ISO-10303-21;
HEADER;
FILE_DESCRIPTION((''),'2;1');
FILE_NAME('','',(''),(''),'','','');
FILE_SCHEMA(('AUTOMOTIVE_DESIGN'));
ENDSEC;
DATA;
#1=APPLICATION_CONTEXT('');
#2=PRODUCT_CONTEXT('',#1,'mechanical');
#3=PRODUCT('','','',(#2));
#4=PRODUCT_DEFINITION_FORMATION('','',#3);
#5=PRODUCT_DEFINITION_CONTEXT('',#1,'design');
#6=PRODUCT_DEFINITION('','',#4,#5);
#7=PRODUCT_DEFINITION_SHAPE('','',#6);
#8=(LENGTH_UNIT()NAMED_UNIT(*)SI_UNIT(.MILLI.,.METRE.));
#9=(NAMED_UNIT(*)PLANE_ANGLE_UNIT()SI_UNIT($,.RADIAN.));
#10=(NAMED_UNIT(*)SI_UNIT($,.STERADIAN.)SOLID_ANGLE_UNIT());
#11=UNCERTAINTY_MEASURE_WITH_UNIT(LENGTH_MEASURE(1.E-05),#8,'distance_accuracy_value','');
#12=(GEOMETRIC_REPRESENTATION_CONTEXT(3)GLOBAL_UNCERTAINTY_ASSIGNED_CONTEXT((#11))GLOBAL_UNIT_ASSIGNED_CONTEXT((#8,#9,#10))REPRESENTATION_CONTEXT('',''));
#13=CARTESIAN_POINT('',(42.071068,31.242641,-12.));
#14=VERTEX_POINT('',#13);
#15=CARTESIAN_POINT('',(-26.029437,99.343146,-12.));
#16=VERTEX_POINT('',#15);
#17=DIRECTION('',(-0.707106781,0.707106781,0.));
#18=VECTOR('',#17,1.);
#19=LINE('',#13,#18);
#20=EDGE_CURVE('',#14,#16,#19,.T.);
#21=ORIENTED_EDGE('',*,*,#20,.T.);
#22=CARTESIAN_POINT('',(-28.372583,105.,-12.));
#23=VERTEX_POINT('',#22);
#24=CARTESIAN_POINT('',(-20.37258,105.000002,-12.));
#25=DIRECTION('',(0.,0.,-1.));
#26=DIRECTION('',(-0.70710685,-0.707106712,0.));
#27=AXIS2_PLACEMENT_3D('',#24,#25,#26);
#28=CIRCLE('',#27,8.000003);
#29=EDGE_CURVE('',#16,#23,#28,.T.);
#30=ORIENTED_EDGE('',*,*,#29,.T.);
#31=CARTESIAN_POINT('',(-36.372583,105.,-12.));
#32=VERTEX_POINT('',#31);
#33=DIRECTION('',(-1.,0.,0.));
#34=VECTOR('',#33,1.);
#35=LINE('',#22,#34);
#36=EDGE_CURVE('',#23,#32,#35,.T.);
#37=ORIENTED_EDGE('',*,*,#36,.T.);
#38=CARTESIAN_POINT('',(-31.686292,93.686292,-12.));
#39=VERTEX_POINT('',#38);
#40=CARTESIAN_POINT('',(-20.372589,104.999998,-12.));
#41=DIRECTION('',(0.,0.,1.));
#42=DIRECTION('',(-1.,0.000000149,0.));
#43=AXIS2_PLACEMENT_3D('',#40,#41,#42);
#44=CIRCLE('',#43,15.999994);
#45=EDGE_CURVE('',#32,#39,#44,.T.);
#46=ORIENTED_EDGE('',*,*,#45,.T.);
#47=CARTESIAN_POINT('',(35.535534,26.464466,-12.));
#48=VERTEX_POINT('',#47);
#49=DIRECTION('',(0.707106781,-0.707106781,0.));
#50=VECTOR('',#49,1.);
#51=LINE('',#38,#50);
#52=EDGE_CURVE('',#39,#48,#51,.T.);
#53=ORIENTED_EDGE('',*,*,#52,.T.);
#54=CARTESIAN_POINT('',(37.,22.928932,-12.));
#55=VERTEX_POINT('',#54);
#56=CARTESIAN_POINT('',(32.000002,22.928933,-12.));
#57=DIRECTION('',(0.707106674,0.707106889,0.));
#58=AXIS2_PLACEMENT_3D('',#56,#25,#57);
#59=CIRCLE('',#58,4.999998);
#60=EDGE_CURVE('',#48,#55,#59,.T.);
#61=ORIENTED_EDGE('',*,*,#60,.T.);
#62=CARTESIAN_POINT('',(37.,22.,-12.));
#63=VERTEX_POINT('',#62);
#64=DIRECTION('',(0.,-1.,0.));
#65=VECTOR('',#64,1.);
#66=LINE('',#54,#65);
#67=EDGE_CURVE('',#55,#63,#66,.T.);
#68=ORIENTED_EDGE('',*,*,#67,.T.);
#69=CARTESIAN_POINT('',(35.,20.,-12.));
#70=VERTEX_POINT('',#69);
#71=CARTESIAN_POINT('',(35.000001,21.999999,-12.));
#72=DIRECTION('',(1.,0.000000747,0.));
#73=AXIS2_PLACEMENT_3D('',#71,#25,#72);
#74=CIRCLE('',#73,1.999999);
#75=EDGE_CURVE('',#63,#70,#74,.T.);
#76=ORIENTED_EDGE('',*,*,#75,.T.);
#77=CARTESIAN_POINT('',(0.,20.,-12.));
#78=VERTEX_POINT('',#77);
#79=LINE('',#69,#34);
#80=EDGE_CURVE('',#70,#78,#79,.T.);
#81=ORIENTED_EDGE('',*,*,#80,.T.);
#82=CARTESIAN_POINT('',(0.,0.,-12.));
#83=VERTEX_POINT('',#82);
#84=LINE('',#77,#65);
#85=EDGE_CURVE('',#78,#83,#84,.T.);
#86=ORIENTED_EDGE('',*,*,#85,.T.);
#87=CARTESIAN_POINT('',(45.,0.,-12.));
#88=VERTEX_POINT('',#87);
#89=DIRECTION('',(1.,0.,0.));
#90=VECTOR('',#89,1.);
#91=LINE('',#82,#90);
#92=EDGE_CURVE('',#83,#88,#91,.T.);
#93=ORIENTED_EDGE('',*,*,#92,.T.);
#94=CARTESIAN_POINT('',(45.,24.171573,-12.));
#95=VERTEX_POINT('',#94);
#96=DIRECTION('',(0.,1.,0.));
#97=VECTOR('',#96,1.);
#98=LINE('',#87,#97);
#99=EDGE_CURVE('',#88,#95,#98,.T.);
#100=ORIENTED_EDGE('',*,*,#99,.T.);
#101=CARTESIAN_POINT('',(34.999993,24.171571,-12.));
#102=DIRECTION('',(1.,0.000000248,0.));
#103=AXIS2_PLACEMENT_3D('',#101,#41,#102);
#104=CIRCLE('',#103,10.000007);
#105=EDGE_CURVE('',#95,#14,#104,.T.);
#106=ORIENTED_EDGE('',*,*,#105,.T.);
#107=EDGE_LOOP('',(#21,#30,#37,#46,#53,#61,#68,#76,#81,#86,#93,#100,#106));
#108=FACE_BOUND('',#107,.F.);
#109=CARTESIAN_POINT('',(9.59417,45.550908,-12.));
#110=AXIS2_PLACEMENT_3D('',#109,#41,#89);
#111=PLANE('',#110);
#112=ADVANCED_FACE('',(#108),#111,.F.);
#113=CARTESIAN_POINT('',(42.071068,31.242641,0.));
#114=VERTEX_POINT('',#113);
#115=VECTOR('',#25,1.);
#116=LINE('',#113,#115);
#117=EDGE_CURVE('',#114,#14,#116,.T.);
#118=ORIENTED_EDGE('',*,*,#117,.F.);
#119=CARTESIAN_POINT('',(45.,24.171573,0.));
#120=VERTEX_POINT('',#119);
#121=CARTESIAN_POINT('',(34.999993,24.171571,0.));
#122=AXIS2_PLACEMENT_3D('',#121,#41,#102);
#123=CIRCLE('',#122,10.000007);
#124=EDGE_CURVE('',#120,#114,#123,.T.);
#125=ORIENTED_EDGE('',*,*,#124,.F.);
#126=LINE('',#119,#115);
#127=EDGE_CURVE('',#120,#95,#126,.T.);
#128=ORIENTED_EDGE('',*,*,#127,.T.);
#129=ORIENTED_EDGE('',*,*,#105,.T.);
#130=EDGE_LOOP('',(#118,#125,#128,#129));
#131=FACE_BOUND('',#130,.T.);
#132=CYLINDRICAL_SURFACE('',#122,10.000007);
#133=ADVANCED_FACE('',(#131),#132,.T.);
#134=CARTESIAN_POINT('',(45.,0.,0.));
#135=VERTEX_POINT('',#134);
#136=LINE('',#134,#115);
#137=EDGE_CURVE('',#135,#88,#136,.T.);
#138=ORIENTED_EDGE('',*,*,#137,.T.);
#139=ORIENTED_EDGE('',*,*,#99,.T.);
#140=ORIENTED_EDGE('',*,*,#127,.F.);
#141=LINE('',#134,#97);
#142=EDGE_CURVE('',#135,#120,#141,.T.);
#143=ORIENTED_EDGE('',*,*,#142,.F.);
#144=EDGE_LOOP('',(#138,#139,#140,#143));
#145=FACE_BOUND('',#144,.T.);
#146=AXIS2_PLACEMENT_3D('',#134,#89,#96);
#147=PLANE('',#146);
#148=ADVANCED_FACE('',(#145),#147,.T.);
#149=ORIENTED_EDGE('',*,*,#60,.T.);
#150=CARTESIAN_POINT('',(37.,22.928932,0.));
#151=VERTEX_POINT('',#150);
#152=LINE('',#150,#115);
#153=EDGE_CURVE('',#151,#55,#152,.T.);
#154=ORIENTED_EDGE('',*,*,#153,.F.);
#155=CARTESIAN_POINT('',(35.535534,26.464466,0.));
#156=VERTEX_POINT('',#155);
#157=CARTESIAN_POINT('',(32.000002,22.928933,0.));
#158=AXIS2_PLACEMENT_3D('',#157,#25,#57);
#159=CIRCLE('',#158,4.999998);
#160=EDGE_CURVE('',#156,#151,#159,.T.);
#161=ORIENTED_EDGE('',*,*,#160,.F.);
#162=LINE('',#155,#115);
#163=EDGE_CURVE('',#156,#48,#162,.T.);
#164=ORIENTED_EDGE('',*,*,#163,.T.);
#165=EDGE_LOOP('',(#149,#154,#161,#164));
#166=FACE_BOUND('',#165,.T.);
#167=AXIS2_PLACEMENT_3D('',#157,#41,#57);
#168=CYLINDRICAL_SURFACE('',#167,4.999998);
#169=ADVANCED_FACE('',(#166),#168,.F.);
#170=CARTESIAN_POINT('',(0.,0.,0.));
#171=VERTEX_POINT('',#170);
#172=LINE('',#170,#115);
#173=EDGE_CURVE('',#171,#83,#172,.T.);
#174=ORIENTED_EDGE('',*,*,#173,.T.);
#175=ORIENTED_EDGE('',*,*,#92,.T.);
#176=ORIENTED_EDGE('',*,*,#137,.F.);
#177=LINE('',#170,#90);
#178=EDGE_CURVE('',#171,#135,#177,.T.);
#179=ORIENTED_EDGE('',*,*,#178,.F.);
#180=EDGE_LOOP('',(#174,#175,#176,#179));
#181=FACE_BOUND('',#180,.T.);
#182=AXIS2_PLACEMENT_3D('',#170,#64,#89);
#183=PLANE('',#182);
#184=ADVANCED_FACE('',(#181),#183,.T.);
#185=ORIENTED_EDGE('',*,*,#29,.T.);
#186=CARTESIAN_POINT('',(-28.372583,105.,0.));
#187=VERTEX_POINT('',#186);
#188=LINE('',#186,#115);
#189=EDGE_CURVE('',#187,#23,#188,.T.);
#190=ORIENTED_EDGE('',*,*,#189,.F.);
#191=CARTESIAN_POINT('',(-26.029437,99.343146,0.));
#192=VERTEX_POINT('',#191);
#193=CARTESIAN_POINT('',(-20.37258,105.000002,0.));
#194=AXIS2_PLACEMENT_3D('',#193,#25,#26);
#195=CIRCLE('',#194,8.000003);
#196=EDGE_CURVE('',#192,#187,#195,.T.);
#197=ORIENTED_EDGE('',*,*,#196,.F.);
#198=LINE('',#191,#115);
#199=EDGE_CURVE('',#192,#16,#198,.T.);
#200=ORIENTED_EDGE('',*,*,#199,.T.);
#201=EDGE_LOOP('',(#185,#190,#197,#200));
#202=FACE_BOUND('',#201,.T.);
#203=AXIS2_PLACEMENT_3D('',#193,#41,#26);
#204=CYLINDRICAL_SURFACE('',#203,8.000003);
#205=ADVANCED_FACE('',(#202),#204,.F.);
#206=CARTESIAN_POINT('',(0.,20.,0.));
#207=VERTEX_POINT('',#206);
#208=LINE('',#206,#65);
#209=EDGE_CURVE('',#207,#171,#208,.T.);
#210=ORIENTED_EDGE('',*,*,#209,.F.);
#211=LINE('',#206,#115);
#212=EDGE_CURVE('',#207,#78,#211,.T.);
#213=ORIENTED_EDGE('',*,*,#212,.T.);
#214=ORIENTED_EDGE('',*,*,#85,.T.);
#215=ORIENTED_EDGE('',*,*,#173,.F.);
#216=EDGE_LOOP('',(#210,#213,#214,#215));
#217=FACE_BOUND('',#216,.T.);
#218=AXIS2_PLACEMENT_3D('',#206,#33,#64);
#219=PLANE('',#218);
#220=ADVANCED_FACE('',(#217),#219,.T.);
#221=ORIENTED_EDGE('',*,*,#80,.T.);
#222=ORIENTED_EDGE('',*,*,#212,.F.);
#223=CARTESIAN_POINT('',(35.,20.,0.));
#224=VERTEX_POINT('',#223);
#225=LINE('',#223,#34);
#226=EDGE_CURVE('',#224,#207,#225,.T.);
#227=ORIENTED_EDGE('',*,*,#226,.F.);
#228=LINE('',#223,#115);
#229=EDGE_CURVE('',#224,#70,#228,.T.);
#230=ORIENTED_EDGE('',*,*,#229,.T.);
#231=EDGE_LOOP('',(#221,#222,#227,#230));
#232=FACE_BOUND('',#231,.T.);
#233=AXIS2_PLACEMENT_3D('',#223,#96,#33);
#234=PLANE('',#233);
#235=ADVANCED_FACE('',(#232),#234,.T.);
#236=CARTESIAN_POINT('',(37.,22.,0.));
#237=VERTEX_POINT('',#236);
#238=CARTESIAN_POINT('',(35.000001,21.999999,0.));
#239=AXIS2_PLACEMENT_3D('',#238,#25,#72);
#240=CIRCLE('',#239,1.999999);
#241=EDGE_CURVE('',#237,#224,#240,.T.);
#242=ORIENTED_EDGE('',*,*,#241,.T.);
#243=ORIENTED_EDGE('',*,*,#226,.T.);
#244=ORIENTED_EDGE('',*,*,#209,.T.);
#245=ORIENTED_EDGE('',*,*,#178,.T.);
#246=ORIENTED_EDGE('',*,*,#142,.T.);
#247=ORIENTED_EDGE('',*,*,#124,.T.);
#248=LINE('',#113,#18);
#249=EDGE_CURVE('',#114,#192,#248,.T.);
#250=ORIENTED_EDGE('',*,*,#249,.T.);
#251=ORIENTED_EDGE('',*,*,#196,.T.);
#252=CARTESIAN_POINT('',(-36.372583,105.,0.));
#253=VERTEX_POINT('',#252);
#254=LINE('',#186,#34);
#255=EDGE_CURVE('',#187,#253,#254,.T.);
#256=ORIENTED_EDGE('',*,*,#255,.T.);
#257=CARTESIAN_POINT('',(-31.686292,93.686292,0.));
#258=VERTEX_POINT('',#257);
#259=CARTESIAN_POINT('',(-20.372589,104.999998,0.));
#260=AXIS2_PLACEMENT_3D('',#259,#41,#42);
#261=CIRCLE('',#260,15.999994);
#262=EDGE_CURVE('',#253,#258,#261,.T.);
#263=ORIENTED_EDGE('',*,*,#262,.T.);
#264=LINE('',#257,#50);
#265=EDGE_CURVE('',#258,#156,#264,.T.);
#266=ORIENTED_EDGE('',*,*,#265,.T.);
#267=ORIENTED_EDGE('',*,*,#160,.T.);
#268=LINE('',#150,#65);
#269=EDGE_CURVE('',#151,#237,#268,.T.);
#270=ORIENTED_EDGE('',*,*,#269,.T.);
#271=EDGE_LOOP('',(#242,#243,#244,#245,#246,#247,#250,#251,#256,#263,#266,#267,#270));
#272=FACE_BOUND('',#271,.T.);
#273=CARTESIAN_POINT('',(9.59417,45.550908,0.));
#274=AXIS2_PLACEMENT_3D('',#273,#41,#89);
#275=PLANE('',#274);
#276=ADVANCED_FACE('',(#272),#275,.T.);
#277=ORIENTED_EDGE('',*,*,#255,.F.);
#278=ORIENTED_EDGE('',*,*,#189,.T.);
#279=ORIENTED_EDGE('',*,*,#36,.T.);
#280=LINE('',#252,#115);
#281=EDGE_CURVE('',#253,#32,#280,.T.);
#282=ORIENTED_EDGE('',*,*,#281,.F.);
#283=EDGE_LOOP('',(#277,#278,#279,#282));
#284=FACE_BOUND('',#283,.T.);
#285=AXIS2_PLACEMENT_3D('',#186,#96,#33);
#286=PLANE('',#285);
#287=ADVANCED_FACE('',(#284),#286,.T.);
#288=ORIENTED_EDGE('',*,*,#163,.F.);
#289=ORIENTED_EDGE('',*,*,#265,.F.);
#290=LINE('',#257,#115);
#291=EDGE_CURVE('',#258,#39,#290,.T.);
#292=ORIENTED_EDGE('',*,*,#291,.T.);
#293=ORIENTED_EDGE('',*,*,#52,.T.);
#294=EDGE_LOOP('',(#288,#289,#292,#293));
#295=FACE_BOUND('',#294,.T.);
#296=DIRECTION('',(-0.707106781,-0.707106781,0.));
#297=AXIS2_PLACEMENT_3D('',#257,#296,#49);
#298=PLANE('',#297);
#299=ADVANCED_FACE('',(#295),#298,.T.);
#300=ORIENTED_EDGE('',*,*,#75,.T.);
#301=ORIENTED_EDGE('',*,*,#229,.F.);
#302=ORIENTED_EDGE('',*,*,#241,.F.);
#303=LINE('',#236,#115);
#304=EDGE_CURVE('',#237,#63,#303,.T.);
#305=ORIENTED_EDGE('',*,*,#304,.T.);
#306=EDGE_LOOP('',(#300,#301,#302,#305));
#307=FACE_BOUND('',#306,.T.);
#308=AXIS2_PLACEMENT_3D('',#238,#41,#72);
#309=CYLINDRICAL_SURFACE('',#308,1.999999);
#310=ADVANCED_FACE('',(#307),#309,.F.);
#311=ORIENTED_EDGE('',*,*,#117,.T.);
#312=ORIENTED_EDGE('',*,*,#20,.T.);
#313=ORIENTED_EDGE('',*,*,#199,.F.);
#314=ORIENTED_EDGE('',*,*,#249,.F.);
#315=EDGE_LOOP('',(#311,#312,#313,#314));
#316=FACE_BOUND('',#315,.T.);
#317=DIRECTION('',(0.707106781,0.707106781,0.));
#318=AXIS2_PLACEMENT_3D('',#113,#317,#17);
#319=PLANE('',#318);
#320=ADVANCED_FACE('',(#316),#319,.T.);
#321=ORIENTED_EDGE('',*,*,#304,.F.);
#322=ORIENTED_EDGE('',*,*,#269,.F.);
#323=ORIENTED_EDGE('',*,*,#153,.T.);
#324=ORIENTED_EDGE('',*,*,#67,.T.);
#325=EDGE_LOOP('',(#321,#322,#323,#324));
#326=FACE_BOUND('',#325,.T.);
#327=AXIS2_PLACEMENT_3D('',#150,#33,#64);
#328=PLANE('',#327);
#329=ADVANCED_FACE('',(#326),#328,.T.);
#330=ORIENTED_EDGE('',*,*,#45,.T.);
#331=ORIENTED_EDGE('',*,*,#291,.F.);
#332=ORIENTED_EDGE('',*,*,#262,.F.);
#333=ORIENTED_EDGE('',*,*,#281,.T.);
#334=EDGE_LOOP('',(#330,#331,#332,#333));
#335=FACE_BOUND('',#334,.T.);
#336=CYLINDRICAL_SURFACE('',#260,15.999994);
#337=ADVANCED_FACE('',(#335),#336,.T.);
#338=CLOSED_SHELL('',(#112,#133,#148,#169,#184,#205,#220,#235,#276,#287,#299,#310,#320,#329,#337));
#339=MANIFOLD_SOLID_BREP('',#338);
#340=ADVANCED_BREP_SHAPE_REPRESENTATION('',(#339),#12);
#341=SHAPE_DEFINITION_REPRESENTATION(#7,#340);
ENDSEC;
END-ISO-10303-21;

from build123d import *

# Parameters (mm, degrees)
F1_DEPTH = 12


with BuildPart() as f1:
    # F0 (on Top) → F1 (new body)
    with BuildSketch(Plane.XY):
        with BuildLine():
            Line((0, 20), (0, 0))
            Line((0, 0), (45, 0))
            Line((45, 0), (45, 24.171573))
            ThreePointArc((45, 24.171573), (44.238795, 27.998407), (42.071068, 31.242641))
            Line((42.071068, 31.242641), (-26.029437, 99.343146))
            ThreePointArc((-26.029437, 99.343146), (-27.763619, 101.938533), (-28.372583, 105))
            Line((-28.372583, 105), (-36.372583, 105))
            ThreePointArc((-36.372583, 105), (-35.154656, 98.877065), (-31.686292, 93.686292))
            Line((-31.686292, 93.686292), (35.535534, 26.464466))
            ThreePointArc((35.535534, 26.464466), (36.619398, 24.842349), (37, 22.928932))
            Line((37, 22.928932), (37, 22))
            ThreePointArc((37, 22), (36.414214, 20.585786), (35, 20))
            Line((35, 20), (0, 20))
        make_face()
    extrude(amount=-F1_DEPTH)


solid = f1.part
